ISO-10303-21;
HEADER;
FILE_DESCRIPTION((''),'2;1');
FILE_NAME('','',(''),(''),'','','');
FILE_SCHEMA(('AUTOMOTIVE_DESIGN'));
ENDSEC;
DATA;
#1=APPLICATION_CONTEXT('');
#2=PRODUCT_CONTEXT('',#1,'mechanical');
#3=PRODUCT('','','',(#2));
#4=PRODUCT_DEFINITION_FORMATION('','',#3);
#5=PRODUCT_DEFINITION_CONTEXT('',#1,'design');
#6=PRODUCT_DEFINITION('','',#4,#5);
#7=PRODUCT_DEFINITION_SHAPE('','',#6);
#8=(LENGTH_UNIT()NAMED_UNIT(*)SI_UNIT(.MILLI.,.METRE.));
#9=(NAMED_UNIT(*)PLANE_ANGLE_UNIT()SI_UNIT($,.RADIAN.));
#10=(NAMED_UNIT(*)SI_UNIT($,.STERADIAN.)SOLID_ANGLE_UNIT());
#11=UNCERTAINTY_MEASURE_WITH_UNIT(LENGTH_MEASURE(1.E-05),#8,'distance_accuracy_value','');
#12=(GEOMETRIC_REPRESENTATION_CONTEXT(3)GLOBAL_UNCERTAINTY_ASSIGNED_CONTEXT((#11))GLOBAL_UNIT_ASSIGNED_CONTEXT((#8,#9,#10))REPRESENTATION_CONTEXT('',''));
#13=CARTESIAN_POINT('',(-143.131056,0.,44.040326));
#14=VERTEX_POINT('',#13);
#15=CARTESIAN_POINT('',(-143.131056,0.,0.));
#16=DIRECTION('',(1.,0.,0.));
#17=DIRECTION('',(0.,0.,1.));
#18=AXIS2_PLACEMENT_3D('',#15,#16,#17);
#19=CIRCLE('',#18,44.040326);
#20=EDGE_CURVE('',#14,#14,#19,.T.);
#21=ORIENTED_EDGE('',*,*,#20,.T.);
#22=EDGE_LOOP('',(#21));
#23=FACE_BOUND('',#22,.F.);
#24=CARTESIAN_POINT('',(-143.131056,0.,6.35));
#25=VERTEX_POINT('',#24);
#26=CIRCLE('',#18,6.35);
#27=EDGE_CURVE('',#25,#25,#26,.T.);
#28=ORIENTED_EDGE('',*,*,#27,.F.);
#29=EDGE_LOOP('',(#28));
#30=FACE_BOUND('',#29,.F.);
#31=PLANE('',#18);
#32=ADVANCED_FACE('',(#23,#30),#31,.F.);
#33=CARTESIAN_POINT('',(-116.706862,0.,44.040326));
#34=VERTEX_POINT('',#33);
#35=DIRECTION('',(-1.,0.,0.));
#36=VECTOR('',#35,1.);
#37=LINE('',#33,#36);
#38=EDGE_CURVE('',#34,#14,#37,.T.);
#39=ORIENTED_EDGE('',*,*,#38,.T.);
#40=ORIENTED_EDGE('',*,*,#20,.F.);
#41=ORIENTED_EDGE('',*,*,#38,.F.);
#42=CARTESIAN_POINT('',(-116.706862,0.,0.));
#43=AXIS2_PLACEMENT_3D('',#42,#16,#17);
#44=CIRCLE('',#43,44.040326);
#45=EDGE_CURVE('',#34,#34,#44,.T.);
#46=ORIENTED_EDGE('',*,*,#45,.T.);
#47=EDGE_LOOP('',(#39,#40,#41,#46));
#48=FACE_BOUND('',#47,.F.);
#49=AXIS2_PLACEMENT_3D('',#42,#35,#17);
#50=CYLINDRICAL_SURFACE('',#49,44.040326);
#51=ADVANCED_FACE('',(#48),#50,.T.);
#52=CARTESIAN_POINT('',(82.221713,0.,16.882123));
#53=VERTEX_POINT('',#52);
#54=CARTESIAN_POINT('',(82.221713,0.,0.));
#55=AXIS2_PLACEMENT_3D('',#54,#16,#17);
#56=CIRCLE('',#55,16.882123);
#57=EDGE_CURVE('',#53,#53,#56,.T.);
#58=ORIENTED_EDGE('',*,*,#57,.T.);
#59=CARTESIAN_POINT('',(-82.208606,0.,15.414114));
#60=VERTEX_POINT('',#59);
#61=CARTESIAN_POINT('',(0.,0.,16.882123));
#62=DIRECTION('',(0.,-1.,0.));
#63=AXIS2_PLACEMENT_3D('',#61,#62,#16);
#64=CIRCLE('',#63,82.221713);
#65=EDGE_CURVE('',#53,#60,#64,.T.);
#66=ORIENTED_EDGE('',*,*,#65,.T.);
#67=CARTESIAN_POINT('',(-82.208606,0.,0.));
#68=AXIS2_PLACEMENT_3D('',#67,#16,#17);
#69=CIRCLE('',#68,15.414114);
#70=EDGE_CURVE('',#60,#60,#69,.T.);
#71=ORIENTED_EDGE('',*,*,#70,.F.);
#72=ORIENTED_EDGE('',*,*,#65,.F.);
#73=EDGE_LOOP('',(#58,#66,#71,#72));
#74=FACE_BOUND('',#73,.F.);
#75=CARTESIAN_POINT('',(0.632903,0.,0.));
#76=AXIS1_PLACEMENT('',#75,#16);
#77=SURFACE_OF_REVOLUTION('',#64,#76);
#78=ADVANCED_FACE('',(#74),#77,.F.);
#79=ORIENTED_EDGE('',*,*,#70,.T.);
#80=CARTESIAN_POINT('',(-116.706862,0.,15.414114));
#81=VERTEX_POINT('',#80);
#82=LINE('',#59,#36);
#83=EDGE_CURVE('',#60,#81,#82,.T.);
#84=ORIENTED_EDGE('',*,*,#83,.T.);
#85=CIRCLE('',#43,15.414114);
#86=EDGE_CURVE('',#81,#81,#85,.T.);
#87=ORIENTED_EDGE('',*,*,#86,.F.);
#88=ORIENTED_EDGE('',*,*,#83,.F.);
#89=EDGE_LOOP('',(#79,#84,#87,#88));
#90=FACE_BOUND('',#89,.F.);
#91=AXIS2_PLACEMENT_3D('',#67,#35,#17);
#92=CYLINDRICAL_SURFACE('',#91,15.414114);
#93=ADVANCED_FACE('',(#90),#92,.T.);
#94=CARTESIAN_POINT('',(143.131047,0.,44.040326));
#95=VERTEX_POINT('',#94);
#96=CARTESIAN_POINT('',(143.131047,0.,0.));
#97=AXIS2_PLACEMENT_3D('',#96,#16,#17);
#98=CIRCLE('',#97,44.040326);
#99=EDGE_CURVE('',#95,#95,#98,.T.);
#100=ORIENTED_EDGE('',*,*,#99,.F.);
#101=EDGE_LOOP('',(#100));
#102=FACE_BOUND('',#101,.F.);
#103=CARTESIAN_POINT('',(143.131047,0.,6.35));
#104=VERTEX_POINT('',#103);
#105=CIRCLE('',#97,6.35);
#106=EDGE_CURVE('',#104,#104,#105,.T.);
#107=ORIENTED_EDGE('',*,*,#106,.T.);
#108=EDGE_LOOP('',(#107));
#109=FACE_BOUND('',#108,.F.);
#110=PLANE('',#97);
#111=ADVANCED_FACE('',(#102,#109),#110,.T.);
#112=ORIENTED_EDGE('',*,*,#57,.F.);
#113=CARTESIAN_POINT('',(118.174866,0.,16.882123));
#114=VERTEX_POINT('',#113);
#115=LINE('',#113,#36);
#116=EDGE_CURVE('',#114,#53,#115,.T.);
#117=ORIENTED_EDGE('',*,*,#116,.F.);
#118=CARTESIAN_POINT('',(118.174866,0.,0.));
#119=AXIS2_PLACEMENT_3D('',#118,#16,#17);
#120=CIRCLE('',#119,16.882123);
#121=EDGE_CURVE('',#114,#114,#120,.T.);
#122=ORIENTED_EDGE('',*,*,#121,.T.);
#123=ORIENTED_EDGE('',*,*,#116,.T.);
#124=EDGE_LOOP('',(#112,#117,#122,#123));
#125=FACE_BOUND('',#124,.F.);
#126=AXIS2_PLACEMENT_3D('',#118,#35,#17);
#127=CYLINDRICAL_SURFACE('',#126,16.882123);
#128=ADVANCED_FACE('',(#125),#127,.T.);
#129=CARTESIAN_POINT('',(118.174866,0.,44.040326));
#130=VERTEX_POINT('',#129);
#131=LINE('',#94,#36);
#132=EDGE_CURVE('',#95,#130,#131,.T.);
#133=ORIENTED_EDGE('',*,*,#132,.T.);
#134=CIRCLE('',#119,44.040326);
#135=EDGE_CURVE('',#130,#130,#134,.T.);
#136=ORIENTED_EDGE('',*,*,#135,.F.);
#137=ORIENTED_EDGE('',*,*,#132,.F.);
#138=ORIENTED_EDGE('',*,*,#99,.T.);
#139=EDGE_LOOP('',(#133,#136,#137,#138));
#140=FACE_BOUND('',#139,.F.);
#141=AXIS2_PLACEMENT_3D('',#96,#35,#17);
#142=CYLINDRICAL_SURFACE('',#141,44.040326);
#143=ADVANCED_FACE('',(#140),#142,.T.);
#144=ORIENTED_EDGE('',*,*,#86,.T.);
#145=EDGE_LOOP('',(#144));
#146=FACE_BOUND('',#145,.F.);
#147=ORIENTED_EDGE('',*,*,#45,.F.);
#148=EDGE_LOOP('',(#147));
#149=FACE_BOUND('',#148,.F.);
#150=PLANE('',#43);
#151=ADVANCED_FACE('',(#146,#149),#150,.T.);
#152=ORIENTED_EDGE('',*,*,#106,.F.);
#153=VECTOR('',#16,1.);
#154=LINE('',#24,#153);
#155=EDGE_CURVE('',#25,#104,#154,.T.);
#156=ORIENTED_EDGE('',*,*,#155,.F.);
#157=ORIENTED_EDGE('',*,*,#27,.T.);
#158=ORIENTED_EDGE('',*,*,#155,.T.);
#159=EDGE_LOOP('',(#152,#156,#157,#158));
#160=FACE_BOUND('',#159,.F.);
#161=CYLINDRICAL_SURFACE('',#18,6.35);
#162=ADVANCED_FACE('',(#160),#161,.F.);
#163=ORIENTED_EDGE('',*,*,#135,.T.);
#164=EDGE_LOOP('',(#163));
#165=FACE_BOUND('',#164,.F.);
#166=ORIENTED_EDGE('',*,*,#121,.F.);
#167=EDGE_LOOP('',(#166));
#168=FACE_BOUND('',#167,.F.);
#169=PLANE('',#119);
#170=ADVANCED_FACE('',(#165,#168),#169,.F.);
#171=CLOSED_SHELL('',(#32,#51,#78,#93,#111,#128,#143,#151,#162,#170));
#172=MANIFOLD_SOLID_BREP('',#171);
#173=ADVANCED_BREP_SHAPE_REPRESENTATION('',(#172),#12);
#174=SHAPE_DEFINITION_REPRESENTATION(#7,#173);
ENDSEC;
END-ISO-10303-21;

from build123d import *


with BuildPart() as f1:
    # F0 (on Front) → F1 (revolve)
    with BuildSketch(Plane.XZ):
        with BuildLine():
            Line((-143.131056, 6.35), (143.131047, 6.35))
            Line((143.131047, 6.35), (143.131047, 44.040326))
            Line((143.131047, 44.040326), (118.174866, 44.040326))
            Line((118.174866, 44.040326), (118.174866, 16.882123))
            Line((118.174866, 16.882123), (82.221713, 16.882123))
            ThreePointArc((82.221713, 16.882123), (-0.734034, 99.100559), (-82.208606, 15.414114))
            Line((-82.208606, 15.414114), (-116.706862, 15.414114))
            Line((-116.706862, 15.414114), (-116.706862, 44.040326))
            Line((-116.706862, 44.040326), (-143.131056, 44.040326))
            Line((-143.131056, 44.040326), (-143.131056, 6.35))
        make_face()
    revolve(axis=Axis((0.632903, 0, 0), (1, 0, 0)))


solid = f1.part
